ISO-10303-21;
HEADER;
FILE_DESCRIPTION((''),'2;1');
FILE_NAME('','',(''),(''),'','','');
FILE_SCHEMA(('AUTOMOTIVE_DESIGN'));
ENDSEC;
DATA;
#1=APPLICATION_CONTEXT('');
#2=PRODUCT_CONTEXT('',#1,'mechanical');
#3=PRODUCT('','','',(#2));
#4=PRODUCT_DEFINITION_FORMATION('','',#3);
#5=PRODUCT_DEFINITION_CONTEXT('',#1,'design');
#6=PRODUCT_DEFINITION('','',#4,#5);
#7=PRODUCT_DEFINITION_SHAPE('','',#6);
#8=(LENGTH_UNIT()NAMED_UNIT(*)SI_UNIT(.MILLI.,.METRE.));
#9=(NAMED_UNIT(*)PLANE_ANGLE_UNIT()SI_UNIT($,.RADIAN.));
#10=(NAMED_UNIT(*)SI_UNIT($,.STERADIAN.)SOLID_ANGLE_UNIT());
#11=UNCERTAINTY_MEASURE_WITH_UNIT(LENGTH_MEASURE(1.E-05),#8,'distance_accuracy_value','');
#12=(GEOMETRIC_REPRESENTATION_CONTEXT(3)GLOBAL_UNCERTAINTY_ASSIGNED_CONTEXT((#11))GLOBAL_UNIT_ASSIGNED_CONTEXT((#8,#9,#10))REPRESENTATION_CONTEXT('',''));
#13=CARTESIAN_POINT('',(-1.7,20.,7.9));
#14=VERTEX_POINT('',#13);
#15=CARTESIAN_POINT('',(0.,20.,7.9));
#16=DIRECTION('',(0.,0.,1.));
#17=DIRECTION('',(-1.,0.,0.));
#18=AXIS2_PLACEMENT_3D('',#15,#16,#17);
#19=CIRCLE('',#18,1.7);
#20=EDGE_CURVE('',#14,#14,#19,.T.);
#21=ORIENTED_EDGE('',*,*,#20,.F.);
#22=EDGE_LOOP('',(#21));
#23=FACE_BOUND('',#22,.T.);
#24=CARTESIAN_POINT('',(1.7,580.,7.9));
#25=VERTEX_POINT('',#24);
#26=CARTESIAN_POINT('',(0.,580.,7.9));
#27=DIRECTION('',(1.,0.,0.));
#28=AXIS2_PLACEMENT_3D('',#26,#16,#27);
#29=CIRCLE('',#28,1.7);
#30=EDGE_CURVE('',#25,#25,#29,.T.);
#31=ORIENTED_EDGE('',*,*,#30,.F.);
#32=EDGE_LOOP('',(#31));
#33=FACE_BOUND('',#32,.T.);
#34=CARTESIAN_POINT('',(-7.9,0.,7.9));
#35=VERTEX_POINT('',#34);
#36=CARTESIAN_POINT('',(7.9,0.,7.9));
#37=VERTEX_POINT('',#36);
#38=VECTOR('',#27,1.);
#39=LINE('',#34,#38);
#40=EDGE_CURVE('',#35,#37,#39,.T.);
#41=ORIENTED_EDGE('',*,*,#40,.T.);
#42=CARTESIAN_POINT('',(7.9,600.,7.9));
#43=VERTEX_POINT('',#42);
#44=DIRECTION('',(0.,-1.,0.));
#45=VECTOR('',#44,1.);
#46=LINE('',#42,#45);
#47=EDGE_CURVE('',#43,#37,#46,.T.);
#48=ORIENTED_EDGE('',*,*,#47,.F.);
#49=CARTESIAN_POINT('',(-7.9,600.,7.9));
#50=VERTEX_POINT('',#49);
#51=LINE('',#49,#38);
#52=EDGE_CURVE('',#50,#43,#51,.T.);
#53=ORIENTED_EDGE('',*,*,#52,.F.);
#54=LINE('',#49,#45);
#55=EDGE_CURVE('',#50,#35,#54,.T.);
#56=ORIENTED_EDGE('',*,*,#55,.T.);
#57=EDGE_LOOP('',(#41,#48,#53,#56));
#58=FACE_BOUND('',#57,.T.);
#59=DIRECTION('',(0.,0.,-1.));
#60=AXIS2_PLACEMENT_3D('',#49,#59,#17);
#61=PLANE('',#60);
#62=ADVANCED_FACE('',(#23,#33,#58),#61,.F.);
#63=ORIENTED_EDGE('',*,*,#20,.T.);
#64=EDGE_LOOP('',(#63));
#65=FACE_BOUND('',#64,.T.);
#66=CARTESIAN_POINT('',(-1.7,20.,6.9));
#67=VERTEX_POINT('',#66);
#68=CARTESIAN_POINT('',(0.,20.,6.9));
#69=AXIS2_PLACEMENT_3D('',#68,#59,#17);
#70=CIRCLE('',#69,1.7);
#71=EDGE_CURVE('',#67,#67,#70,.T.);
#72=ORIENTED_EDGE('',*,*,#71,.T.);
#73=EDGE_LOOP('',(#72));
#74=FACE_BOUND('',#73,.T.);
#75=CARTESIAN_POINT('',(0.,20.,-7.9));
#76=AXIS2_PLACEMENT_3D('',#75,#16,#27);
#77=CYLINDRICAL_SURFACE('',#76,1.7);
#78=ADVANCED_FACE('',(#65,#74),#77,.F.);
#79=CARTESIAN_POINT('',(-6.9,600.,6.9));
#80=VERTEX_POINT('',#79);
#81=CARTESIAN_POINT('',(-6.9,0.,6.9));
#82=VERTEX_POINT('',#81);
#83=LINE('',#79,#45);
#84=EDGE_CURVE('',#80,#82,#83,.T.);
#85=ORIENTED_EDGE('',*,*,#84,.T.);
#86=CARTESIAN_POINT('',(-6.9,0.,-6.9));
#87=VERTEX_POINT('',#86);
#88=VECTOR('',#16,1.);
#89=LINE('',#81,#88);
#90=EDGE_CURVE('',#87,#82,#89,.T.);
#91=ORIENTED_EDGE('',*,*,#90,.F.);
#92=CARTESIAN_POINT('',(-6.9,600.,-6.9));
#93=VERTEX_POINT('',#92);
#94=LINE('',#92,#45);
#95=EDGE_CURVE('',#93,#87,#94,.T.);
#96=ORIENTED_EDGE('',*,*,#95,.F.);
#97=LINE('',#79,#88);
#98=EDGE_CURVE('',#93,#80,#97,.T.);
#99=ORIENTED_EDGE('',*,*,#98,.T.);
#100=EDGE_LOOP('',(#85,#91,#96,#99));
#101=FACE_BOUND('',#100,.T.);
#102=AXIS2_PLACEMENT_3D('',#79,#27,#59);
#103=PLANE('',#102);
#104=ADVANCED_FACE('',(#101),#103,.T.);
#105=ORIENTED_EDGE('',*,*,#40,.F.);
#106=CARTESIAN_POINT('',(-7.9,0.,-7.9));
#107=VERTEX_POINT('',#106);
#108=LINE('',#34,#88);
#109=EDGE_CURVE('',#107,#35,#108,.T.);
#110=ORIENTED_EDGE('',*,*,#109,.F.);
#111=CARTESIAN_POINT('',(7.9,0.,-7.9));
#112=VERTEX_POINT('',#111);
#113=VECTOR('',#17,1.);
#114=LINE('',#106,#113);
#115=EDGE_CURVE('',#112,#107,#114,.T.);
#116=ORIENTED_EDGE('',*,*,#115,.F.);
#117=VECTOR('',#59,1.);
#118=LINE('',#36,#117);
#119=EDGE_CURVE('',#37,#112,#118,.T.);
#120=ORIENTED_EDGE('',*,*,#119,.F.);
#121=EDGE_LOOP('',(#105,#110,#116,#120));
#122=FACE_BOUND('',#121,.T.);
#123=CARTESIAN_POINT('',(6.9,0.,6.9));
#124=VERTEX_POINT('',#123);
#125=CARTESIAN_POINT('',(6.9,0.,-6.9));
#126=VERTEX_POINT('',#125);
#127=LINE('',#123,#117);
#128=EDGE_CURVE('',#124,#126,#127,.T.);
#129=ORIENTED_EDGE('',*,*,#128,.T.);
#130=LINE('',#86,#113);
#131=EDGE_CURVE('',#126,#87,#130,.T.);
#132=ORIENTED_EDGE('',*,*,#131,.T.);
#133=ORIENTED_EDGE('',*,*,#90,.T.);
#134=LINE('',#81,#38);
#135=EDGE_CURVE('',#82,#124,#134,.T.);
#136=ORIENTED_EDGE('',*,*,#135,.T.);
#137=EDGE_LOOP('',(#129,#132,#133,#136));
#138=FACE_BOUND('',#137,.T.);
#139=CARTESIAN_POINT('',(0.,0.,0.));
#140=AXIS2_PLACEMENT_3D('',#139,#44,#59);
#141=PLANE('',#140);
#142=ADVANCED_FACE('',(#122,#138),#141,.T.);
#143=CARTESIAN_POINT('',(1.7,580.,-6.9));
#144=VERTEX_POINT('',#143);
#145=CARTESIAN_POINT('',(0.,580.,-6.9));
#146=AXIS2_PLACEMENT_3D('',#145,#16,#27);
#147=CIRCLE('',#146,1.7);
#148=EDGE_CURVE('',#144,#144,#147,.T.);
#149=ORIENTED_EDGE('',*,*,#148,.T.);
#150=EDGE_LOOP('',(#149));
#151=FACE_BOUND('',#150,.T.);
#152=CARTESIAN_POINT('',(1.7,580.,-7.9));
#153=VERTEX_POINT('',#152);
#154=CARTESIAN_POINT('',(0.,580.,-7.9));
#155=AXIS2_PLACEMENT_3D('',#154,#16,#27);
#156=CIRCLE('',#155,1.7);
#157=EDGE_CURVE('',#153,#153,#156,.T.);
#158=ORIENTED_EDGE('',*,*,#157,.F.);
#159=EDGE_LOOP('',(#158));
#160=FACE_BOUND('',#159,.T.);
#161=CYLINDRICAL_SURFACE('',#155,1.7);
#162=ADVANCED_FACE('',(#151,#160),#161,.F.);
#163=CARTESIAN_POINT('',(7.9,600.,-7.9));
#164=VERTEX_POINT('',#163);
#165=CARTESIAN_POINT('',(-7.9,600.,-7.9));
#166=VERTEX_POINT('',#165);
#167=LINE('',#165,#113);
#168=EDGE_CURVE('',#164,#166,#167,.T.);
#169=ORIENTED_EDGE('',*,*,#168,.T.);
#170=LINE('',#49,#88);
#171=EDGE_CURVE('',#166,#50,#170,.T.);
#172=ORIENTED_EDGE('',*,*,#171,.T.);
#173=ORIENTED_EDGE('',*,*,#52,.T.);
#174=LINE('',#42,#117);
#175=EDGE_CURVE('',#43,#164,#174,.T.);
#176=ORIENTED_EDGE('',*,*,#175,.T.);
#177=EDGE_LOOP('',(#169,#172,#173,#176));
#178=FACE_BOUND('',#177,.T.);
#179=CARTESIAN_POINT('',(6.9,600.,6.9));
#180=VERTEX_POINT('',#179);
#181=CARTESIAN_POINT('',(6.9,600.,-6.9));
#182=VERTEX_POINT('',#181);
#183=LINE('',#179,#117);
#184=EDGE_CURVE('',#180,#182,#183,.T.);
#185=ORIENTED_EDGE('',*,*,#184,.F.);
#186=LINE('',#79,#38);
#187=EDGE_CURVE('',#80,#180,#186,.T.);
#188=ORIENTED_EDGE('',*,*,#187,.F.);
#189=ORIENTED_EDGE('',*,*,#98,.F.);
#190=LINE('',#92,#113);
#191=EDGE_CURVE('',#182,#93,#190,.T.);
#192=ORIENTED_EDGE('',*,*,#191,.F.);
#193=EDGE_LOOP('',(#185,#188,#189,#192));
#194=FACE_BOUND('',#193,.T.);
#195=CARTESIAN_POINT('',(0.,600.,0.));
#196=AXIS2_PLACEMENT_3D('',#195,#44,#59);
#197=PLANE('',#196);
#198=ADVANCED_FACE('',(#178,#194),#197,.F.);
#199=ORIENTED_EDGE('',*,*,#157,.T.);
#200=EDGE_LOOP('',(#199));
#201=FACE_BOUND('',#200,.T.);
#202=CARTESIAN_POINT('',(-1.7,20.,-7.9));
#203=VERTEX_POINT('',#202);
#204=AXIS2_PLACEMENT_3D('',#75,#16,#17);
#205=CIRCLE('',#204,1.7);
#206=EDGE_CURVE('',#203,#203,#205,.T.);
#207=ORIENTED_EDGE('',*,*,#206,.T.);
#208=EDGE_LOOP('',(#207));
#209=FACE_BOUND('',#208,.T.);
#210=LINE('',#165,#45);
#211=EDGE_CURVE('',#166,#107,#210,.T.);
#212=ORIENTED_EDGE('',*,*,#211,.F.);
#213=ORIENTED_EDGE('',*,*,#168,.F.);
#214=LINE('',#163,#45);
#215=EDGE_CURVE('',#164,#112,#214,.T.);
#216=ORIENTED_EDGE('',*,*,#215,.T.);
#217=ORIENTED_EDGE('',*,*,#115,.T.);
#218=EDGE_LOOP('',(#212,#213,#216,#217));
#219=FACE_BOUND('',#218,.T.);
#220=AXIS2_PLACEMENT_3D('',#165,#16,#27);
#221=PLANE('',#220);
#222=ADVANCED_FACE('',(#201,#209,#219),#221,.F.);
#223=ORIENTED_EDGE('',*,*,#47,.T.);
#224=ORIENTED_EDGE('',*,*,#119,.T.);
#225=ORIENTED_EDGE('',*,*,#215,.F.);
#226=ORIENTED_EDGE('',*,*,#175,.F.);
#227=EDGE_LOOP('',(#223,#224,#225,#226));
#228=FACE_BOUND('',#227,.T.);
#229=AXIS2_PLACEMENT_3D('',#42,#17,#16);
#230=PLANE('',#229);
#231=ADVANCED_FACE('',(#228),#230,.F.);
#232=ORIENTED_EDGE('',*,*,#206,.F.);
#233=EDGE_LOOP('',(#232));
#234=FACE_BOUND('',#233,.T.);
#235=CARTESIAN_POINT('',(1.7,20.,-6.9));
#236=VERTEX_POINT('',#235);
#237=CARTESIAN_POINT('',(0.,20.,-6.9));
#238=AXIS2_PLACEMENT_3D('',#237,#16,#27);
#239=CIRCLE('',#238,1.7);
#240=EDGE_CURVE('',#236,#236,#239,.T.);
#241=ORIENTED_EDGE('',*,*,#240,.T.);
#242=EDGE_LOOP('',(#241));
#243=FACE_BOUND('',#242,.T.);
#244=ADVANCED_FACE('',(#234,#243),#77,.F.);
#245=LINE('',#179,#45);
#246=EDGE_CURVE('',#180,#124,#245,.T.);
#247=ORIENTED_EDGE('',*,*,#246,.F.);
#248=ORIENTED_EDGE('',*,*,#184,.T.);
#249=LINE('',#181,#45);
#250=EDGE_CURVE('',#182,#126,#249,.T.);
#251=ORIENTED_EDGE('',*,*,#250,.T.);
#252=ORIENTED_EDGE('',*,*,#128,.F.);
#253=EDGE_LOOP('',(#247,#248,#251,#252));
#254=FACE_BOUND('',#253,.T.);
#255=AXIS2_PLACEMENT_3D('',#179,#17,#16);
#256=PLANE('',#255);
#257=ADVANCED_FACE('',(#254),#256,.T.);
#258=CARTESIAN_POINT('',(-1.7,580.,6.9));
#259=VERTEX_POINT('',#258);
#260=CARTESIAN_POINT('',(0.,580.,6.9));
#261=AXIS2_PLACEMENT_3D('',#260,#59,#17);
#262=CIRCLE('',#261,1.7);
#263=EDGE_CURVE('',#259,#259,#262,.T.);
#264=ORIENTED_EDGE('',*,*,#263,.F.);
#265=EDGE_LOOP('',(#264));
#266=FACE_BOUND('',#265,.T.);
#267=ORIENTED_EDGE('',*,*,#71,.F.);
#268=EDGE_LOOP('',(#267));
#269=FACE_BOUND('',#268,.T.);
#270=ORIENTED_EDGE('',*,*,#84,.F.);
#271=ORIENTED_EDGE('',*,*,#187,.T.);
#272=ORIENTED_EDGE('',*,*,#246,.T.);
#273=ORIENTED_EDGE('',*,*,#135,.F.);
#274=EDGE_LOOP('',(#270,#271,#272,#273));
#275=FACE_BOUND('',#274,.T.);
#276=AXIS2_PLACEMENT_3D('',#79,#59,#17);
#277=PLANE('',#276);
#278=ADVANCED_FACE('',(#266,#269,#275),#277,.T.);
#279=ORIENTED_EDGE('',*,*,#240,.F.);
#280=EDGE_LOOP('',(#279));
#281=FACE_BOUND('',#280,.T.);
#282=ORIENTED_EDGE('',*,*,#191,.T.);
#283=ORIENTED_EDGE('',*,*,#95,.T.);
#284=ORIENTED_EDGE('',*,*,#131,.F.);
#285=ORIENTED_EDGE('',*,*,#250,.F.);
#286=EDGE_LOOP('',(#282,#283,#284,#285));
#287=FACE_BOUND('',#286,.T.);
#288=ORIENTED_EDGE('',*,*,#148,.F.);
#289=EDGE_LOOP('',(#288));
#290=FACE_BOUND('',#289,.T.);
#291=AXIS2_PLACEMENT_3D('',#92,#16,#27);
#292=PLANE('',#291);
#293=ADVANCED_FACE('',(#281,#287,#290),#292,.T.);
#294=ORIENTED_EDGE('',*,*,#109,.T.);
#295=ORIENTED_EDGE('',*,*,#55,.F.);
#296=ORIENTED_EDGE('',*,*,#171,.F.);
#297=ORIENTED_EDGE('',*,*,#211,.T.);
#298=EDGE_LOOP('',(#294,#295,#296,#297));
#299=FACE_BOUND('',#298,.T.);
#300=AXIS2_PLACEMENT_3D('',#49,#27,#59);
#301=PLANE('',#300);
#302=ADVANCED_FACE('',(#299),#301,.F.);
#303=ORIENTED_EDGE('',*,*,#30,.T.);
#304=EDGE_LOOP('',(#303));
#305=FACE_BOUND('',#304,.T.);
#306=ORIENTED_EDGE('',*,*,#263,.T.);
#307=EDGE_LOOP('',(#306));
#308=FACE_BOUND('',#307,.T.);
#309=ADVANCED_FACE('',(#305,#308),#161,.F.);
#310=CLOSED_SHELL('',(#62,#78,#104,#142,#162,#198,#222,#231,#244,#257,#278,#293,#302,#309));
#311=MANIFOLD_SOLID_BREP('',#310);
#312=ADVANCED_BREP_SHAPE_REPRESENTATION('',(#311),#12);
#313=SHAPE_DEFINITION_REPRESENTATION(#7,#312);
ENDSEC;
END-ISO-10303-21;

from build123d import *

# Parameters (mm, degrees)
SKETCH1_W           = 15.8
SKETCH1_H           = 15.8
SKETCH1_W_2         = 13.8
SKETCH1_H_2         = 13.8
BOSS_EXTRUDE1_DEPTH = 600
SKETCH3_R           = 1.7
CUT_EXTRUDE2_DEPTH  = 601.25998534


with BuildPart() as part:
    # Sketch1 → Boss-Extrude1 (new body)
    with BuildSketch(Plane(origin=(0, 0, 0), x_dir=(1, 0, 0), z_dir=(0, 1, 0))):
        Rectangle(SKETCH1_W, SKETCH1_H)
        Rectangle(SKETCH1_W_2, SKETCH1_H_2, mode=Mode.SUBTRACT)
    extrude(amount=BOSS_EXTRUDE1_DEPTH)

    # Sketch3 → Cut-Extrude2 (cut, through all)
    with BuildSketch(Plane.XY.offset(7.9)):
        with Locations((0, 580)):
            Circle(SKETCH3_R)
        with Locations((0, 20)):
            Circle(SKETCH3_R)
    extrude(amount=-CUT_EXTRUDE2_DEPTH, mode=Mode.SUBTRACT)


solid = part.part
